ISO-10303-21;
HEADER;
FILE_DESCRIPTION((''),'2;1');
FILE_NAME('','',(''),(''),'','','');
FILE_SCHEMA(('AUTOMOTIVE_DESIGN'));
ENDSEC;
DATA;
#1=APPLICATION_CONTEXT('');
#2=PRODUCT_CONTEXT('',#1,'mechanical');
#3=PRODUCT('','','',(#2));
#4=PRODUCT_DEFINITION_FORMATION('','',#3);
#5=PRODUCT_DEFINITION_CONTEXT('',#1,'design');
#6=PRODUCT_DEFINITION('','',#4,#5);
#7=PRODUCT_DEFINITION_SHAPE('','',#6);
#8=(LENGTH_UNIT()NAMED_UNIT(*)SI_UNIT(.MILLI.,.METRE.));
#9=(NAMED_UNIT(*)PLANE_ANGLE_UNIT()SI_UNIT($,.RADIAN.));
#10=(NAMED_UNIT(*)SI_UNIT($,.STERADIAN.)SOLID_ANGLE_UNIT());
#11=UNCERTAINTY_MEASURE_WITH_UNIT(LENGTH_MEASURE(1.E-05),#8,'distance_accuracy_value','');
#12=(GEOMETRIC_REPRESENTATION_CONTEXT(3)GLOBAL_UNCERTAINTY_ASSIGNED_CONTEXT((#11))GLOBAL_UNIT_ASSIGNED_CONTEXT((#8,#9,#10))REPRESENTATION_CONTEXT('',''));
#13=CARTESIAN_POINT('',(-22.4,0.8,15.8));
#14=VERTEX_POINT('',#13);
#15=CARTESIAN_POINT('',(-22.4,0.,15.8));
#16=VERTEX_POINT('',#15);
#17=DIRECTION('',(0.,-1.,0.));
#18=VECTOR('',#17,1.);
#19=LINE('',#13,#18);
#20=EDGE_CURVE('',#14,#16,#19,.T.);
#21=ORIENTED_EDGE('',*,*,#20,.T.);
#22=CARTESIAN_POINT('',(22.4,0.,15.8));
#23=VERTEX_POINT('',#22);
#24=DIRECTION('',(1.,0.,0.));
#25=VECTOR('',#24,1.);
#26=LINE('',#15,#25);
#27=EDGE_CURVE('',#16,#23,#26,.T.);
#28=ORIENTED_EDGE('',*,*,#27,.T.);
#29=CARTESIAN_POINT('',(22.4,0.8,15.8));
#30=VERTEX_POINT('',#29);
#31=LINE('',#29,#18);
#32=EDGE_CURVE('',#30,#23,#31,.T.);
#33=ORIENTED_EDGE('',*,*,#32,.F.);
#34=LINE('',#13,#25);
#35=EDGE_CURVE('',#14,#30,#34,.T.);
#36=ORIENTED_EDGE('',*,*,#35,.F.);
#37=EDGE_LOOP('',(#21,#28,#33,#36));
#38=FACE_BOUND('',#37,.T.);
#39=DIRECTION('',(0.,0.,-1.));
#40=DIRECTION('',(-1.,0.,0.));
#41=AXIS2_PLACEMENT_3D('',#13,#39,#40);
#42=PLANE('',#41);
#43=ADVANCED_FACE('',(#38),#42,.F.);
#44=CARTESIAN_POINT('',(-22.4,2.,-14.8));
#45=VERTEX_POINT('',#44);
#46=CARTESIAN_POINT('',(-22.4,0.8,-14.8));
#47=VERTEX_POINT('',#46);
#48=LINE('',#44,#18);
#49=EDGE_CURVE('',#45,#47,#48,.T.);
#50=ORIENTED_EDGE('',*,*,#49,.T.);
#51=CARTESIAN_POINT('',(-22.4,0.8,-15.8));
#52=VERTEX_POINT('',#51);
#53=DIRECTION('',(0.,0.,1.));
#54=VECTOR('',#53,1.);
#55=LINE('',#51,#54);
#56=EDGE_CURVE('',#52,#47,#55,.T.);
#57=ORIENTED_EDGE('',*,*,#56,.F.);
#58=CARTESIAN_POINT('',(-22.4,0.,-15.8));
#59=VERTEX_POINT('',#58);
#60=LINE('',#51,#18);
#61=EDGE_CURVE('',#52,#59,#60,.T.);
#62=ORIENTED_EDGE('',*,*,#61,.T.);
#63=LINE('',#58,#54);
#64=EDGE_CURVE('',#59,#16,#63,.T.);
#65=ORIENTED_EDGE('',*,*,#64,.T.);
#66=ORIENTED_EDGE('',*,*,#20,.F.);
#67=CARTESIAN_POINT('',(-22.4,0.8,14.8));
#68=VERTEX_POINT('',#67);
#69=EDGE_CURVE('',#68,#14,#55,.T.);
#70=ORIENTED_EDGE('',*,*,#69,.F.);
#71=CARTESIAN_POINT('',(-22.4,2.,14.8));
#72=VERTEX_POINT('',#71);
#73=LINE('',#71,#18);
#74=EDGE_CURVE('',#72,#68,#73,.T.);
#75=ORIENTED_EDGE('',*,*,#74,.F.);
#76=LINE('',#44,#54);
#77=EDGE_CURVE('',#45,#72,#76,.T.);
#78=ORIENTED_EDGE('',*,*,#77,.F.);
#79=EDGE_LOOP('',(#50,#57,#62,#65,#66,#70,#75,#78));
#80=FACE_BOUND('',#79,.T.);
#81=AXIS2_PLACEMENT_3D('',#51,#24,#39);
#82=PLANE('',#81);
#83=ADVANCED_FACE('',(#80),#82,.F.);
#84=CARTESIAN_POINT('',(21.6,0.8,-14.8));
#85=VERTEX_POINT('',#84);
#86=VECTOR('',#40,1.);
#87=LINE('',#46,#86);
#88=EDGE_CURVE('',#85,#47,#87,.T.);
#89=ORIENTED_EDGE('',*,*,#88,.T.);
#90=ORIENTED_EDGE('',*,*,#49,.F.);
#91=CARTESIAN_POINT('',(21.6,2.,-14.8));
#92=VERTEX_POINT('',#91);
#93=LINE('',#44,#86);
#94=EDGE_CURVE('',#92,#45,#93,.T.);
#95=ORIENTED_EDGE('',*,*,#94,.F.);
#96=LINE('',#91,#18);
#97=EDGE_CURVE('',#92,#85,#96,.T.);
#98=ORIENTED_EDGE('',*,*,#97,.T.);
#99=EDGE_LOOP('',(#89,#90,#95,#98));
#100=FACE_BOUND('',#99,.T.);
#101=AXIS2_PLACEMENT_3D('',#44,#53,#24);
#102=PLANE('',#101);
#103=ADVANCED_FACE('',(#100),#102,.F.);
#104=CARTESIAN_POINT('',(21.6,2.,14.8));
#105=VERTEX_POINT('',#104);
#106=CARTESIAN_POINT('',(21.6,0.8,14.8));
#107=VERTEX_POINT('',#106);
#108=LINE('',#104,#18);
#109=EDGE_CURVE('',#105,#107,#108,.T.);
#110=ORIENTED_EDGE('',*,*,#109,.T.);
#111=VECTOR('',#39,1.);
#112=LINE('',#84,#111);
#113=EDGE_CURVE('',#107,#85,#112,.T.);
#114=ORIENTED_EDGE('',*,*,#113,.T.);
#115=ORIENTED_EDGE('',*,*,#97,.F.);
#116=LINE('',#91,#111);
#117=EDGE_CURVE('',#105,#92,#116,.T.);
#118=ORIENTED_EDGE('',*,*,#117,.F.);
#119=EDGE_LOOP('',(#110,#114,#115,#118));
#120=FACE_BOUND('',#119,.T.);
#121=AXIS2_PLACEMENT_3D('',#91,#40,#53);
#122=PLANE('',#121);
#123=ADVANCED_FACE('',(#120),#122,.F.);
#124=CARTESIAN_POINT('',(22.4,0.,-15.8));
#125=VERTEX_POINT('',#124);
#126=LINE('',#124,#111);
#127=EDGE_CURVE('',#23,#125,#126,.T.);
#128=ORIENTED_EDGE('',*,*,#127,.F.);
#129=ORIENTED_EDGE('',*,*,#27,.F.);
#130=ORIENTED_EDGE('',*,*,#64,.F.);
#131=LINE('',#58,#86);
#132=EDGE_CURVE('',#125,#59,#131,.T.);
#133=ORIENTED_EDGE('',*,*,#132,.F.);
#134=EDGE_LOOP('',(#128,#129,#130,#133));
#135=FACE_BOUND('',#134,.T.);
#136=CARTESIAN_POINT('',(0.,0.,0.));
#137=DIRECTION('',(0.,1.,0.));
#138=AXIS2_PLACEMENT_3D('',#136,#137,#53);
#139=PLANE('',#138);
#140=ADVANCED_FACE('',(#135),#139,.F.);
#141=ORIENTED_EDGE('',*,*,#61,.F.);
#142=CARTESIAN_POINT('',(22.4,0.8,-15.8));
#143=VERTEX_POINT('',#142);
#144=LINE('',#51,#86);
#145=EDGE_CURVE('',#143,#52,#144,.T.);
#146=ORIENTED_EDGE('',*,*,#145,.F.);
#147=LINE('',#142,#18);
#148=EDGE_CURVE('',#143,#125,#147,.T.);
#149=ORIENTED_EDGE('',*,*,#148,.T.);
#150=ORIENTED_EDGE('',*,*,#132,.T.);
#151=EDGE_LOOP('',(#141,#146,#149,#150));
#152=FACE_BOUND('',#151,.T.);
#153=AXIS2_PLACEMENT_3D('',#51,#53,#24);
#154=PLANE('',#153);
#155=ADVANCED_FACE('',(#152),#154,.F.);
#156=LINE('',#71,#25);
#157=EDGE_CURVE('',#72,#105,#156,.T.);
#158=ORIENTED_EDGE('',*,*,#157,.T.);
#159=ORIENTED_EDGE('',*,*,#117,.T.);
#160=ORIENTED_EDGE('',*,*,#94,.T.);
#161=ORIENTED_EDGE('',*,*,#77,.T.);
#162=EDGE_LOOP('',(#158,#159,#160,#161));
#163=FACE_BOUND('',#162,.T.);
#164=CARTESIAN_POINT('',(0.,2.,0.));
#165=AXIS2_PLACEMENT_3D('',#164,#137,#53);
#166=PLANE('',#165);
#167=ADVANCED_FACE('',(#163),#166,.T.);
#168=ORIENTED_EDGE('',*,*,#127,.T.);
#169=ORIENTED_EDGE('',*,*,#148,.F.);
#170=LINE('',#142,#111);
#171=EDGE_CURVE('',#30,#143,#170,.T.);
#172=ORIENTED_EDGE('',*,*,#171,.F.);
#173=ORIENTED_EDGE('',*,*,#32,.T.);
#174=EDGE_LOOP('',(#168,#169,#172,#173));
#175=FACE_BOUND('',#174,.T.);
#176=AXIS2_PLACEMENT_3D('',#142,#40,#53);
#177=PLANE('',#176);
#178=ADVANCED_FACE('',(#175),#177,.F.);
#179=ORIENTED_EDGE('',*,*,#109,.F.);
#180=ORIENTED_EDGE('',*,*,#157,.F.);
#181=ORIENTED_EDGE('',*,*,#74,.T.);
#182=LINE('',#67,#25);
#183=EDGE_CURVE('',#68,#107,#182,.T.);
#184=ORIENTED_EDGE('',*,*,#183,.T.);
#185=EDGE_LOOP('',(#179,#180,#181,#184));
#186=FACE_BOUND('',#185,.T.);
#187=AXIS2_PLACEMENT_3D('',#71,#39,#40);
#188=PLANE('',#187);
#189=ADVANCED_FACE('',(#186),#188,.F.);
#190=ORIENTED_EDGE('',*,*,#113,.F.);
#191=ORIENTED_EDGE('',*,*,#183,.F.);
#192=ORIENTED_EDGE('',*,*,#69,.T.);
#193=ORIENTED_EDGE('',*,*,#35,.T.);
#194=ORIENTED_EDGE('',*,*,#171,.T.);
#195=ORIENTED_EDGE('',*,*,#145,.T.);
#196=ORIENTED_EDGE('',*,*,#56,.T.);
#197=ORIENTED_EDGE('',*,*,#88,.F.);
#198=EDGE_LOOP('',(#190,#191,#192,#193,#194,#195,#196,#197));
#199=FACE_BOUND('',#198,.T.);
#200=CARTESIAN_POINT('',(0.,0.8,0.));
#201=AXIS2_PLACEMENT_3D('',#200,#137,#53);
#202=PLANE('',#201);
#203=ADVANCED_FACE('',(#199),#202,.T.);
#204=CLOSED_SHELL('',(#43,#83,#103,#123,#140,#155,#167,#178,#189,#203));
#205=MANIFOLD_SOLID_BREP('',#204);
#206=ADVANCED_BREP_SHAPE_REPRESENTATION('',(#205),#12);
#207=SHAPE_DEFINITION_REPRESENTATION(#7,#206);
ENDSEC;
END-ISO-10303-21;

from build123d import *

# Parameters (mm, degrees)
SKETCH_2_W      = 44.8
SKETCH_2_H      = 31.6
EXTRUDE_1_DEPTH = 0.8
SKETCH_3_W      = 44
SKETCH_3_H      = 29.6
EXTRUDE_2_DEPTH = 1.2


with BuildPart() as part:
    # 草图2 → 凸台-拉伸1 (new body)
    with BuildSketch(Plane(origin=(0, 0, 0), x_dir=(1, 0, 0), z_dir=(0, 1, 0))):
        Rectangle(SKETCH_2_W, SKETCH_2_H)
    extrude(amount=EXTRUDE_1_DEPTH)

    # 草图3 → 凸台-拉伸2 (add)
    with BuildSketch(Plane(origin=(0, 0.8, 0), x_dir=(1, 0, 0), z_dir=(0, 1, 0))):
        with Locations((-0.4, 0)):
            Rectangle(SKETCH_3_W, SKETCH_3_H)
    extrude(amount=EXTRUDE_2_DEPTH)


solid = part.part
